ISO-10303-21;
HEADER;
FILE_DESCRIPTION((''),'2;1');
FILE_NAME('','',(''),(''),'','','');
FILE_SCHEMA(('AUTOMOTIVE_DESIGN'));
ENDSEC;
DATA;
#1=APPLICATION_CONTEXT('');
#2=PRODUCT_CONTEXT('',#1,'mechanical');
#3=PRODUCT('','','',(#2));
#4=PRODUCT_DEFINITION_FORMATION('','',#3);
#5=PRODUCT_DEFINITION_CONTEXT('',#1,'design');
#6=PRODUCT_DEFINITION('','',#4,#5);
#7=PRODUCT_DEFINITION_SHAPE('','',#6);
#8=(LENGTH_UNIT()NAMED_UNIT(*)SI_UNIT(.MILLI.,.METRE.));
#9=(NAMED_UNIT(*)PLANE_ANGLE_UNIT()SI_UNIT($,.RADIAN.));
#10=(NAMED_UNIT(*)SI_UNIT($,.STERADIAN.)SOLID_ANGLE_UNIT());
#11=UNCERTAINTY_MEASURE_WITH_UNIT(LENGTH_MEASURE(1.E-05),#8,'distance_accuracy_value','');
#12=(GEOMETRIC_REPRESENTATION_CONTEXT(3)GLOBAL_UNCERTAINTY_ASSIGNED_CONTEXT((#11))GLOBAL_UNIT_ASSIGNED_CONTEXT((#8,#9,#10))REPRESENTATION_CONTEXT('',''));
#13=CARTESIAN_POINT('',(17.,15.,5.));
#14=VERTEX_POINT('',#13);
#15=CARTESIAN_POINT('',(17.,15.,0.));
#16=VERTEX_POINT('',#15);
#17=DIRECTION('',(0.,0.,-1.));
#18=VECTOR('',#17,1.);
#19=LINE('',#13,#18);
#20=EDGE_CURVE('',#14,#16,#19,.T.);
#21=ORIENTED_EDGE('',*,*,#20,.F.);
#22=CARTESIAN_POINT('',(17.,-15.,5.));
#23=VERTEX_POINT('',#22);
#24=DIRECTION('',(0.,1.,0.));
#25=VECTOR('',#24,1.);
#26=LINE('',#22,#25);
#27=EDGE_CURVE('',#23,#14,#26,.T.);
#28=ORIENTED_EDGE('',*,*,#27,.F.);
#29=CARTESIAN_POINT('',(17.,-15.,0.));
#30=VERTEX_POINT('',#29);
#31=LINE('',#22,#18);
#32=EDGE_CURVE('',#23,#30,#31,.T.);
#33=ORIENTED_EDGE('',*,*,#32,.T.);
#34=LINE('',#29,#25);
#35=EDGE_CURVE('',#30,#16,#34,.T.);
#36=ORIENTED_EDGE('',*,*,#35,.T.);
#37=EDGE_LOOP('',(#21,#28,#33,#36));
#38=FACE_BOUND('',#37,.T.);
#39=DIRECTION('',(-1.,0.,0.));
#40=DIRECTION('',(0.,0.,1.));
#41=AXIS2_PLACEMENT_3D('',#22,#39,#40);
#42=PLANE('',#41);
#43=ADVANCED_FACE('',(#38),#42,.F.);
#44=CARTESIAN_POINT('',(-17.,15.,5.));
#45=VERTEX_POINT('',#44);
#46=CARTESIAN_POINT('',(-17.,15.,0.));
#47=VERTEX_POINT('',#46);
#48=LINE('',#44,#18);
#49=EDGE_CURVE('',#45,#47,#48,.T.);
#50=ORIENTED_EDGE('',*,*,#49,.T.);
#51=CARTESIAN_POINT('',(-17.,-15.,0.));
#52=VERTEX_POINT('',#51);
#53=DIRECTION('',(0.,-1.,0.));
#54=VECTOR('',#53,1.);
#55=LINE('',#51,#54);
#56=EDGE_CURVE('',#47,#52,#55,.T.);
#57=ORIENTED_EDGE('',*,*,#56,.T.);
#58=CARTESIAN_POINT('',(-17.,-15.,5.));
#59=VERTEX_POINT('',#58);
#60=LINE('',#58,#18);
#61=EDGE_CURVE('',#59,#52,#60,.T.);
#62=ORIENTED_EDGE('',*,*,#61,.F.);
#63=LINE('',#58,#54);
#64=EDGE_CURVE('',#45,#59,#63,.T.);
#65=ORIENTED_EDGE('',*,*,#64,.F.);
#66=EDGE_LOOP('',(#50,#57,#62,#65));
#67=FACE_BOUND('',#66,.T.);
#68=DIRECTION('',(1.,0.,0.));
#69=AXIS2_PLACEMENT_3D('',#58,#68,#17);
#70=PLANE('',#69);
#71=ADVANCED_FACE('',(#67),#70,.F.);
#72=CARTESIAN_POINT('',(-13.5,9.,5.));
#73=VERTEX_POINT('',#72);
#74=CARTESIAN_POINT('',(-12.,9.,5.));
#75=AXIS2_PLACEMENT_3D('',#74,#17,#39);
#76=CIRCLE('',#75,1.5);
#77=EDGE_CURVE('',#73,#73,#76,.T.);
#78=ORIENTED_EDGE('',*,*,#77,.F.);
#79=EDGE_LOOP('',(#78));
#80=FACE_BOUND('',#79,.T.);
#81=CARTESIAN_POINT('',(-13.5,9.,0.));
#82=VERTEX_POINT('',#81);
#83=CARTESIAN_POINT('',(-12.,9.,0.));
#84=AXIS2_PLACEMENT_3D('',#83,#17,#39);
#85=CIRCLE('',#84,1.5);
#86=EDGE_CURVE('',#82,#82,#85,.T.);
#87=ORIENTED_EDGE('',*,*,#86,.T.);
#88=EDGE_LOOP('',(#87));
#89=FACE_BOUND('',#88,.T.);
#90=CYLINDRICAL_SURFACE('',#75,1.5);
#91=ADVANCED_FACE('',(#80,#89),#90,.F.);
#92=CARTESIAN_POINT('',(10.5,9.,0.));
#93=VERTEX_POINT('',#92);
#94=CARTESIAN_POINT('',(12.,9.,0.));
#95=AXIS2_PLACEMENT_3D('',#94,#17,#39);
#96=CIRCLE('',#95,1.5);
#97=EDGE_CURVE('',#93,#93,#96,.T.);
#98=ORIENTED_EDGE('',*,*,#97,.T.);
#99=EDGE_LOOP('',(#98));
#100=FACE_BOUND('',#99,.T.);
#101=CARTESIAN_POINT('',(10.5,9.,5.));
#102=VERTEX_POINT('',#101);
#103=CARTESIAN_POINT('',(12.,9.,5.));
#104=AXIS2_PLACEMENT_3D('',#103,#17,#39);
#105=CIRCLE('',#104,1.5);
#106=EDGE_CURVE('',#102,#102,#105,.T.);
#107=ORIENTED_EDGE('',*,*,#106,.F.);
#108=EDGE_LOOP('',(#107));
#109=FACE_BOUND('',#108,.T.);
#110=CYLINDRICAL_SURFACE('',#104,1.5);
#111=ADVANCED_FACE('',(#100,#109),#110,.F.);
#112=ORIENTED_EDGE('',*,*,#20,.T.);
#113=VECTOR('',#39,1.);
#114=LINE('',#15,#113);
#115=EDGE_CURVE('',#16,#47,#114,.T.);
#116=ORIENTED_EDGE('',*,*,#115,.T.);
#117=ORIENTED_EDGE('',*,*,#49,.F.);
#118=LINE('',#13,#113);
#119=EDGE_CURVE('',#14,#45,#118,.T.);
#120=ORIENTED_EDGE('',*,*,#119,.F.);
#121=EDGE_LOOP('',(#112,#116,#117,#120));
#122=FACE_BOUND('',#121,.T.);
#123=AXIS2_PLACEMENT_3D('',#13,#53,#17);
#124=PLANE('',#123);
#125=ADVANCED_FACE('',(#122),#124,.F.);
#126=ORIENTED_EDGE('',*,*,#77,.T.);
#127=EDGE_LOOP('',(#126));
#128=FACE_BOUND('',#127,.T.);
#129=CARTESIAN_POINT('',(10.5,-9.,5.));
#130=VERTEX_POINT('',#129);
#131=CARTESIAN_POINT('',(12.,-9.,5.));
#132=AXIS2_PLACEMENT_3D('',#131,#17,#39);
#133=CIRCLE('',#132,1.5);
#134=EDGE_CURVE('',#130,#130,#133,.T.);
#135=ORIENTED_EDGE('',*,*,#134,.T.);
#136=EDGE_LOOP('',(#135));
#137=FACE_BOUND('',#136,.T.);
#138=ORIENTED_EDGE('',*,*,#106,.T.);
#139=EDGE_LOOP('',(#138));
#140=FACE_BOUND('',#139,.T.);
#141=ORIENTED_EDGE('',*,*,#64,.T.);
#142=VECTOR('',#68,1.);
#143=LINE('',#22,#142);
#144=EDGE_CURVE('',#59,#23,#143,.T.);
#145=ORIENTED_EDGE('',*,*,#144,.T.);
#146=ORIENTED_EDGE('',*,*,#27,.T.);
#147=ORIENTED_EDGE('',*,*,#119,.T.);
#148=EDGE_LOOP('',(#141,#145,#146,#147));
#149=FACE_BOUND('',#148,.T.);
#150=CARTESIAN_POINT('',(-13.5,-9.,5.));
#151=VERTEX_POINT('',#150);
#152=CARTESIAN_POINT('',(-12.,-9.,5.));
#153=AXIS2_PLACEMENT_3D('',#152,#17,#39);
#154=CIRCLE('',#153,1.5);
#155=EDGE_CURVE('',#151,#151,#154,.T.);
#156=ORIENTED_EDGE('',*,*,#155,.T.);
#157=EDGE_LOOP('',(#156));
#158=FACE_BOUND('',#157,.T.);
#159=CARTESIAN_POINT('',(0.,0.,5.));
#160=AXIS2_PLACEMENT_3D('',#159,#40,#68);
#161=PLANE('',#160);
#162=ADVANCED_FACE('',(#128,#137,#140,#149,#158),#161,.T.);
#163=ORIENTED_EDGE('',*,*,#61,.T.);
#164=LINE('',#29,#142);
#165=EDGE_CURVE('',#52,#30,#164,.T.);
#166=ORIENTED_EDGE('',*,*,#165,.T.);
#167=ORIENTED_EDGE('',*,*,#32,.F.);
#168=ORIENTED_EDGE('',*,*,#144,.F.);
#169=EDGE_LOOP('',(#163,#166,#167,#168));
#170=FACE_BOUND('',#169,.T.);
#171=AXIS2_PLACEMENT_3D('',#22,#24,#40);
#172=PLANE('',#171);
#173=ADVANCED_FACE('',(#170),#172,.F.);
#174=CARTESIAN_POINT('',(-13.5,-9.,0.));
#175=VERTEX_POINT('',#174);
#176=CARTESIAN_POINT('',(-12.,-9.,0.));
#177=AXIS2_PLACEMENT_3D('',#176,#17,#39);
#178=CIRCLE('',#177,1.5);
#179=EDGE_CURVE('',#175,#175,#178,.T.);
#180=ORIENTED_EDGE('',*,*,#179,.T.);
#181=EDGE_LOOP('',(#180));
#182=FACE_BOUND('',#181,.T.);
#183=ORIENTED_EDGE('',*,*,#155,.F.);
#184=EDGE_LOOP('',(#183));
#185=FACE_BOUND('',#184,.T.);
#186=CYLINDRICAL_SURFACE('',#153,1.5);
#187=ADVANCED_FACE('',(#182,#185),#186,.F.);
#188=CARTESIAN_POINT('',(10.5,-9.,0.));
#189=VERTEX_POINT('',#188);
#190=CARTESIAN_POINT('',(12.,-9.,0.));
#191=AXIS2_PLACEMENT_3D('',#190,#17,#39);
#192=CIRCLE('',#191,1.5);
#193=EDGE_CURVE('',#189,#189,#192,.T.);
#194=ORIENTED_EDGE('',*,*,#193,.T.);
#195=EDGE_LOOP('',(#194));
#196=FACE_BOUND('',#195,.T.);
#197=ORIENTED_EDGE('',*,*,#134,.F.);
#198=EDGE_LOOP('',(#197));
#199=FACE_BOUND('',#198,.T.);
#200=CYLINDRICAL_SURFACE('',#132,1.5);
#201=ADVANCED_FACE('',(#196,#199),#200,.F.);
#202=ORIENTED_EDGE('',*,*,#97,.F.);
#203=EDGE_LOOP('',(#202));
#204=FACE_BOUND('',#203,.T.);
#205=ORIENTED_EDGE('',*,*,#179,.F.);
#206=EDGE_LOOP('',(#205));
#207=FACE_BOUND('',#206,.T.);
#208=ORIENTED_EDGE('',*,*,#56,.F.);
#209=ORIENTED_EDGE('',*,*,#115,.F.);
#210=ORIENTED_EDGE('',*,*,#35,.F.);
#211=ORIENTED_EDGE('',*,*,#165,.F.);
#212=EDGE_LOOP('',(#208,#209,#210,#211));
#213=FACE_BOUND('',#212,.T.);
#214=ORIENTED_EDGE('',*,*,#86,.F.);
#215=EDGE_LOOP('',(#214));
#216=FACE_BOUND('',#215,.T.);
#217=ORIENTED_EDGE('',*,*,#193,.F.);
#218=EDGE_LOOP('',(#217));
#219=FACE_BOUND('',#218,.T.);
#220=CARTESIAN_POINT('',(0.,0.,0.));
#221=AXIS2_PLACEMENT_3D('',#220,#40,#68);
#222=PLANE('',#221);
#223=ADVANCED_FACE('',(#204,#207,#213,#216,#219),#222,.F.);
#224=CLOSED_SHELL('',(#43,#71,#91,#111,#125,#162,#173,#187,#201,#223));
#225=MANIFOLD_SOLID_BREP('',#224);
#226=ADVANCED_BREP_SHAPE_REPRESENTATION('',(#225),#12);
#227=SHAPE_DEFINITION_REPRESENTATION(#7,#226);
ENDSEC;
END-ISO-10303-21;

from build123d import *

# Parameters (mm, degrees)
SKETCH1_W           = 34
SKETCH1_H           = 30
BOSS_EXTRUDE1_DEPTH = 5
SKETCH2_R           = 1.5
CUT_EXTRUDE1_DEPTH  = 6


with BuildPart() as part:
    # Sketch1 → Boss-Extrude1 (new body)
    with BuildSketch(Plane.XY):
        Rectangle(SKETCH1_W, SKETCH1_H)
    extrude(amount=BOSS_EXTRUDE1_DEPTH)

    # Sketch2 → Cut-Extrude1 (cut, through all)
    with BuildSketch(Plane(origin=(0, 0, 0), x_dir=(-1, 0, 0), z_dir=(0, 0, -1))):
        with Locations((12, 9)):
            Circle(SKETCH2_R)
        with Locations((-12, 9)):
            Circle(SKETCH2_R)
        with Locations((12, -9)):
            Circle(SKETCH2_R)
        with Locations((-12, -9)):
            Circle(SKETCH2_R)
    extrude(amount=-CUT_EXTRUDE1_DEPTH, mode=Mode.SUBTRACT)


solid = part.part
